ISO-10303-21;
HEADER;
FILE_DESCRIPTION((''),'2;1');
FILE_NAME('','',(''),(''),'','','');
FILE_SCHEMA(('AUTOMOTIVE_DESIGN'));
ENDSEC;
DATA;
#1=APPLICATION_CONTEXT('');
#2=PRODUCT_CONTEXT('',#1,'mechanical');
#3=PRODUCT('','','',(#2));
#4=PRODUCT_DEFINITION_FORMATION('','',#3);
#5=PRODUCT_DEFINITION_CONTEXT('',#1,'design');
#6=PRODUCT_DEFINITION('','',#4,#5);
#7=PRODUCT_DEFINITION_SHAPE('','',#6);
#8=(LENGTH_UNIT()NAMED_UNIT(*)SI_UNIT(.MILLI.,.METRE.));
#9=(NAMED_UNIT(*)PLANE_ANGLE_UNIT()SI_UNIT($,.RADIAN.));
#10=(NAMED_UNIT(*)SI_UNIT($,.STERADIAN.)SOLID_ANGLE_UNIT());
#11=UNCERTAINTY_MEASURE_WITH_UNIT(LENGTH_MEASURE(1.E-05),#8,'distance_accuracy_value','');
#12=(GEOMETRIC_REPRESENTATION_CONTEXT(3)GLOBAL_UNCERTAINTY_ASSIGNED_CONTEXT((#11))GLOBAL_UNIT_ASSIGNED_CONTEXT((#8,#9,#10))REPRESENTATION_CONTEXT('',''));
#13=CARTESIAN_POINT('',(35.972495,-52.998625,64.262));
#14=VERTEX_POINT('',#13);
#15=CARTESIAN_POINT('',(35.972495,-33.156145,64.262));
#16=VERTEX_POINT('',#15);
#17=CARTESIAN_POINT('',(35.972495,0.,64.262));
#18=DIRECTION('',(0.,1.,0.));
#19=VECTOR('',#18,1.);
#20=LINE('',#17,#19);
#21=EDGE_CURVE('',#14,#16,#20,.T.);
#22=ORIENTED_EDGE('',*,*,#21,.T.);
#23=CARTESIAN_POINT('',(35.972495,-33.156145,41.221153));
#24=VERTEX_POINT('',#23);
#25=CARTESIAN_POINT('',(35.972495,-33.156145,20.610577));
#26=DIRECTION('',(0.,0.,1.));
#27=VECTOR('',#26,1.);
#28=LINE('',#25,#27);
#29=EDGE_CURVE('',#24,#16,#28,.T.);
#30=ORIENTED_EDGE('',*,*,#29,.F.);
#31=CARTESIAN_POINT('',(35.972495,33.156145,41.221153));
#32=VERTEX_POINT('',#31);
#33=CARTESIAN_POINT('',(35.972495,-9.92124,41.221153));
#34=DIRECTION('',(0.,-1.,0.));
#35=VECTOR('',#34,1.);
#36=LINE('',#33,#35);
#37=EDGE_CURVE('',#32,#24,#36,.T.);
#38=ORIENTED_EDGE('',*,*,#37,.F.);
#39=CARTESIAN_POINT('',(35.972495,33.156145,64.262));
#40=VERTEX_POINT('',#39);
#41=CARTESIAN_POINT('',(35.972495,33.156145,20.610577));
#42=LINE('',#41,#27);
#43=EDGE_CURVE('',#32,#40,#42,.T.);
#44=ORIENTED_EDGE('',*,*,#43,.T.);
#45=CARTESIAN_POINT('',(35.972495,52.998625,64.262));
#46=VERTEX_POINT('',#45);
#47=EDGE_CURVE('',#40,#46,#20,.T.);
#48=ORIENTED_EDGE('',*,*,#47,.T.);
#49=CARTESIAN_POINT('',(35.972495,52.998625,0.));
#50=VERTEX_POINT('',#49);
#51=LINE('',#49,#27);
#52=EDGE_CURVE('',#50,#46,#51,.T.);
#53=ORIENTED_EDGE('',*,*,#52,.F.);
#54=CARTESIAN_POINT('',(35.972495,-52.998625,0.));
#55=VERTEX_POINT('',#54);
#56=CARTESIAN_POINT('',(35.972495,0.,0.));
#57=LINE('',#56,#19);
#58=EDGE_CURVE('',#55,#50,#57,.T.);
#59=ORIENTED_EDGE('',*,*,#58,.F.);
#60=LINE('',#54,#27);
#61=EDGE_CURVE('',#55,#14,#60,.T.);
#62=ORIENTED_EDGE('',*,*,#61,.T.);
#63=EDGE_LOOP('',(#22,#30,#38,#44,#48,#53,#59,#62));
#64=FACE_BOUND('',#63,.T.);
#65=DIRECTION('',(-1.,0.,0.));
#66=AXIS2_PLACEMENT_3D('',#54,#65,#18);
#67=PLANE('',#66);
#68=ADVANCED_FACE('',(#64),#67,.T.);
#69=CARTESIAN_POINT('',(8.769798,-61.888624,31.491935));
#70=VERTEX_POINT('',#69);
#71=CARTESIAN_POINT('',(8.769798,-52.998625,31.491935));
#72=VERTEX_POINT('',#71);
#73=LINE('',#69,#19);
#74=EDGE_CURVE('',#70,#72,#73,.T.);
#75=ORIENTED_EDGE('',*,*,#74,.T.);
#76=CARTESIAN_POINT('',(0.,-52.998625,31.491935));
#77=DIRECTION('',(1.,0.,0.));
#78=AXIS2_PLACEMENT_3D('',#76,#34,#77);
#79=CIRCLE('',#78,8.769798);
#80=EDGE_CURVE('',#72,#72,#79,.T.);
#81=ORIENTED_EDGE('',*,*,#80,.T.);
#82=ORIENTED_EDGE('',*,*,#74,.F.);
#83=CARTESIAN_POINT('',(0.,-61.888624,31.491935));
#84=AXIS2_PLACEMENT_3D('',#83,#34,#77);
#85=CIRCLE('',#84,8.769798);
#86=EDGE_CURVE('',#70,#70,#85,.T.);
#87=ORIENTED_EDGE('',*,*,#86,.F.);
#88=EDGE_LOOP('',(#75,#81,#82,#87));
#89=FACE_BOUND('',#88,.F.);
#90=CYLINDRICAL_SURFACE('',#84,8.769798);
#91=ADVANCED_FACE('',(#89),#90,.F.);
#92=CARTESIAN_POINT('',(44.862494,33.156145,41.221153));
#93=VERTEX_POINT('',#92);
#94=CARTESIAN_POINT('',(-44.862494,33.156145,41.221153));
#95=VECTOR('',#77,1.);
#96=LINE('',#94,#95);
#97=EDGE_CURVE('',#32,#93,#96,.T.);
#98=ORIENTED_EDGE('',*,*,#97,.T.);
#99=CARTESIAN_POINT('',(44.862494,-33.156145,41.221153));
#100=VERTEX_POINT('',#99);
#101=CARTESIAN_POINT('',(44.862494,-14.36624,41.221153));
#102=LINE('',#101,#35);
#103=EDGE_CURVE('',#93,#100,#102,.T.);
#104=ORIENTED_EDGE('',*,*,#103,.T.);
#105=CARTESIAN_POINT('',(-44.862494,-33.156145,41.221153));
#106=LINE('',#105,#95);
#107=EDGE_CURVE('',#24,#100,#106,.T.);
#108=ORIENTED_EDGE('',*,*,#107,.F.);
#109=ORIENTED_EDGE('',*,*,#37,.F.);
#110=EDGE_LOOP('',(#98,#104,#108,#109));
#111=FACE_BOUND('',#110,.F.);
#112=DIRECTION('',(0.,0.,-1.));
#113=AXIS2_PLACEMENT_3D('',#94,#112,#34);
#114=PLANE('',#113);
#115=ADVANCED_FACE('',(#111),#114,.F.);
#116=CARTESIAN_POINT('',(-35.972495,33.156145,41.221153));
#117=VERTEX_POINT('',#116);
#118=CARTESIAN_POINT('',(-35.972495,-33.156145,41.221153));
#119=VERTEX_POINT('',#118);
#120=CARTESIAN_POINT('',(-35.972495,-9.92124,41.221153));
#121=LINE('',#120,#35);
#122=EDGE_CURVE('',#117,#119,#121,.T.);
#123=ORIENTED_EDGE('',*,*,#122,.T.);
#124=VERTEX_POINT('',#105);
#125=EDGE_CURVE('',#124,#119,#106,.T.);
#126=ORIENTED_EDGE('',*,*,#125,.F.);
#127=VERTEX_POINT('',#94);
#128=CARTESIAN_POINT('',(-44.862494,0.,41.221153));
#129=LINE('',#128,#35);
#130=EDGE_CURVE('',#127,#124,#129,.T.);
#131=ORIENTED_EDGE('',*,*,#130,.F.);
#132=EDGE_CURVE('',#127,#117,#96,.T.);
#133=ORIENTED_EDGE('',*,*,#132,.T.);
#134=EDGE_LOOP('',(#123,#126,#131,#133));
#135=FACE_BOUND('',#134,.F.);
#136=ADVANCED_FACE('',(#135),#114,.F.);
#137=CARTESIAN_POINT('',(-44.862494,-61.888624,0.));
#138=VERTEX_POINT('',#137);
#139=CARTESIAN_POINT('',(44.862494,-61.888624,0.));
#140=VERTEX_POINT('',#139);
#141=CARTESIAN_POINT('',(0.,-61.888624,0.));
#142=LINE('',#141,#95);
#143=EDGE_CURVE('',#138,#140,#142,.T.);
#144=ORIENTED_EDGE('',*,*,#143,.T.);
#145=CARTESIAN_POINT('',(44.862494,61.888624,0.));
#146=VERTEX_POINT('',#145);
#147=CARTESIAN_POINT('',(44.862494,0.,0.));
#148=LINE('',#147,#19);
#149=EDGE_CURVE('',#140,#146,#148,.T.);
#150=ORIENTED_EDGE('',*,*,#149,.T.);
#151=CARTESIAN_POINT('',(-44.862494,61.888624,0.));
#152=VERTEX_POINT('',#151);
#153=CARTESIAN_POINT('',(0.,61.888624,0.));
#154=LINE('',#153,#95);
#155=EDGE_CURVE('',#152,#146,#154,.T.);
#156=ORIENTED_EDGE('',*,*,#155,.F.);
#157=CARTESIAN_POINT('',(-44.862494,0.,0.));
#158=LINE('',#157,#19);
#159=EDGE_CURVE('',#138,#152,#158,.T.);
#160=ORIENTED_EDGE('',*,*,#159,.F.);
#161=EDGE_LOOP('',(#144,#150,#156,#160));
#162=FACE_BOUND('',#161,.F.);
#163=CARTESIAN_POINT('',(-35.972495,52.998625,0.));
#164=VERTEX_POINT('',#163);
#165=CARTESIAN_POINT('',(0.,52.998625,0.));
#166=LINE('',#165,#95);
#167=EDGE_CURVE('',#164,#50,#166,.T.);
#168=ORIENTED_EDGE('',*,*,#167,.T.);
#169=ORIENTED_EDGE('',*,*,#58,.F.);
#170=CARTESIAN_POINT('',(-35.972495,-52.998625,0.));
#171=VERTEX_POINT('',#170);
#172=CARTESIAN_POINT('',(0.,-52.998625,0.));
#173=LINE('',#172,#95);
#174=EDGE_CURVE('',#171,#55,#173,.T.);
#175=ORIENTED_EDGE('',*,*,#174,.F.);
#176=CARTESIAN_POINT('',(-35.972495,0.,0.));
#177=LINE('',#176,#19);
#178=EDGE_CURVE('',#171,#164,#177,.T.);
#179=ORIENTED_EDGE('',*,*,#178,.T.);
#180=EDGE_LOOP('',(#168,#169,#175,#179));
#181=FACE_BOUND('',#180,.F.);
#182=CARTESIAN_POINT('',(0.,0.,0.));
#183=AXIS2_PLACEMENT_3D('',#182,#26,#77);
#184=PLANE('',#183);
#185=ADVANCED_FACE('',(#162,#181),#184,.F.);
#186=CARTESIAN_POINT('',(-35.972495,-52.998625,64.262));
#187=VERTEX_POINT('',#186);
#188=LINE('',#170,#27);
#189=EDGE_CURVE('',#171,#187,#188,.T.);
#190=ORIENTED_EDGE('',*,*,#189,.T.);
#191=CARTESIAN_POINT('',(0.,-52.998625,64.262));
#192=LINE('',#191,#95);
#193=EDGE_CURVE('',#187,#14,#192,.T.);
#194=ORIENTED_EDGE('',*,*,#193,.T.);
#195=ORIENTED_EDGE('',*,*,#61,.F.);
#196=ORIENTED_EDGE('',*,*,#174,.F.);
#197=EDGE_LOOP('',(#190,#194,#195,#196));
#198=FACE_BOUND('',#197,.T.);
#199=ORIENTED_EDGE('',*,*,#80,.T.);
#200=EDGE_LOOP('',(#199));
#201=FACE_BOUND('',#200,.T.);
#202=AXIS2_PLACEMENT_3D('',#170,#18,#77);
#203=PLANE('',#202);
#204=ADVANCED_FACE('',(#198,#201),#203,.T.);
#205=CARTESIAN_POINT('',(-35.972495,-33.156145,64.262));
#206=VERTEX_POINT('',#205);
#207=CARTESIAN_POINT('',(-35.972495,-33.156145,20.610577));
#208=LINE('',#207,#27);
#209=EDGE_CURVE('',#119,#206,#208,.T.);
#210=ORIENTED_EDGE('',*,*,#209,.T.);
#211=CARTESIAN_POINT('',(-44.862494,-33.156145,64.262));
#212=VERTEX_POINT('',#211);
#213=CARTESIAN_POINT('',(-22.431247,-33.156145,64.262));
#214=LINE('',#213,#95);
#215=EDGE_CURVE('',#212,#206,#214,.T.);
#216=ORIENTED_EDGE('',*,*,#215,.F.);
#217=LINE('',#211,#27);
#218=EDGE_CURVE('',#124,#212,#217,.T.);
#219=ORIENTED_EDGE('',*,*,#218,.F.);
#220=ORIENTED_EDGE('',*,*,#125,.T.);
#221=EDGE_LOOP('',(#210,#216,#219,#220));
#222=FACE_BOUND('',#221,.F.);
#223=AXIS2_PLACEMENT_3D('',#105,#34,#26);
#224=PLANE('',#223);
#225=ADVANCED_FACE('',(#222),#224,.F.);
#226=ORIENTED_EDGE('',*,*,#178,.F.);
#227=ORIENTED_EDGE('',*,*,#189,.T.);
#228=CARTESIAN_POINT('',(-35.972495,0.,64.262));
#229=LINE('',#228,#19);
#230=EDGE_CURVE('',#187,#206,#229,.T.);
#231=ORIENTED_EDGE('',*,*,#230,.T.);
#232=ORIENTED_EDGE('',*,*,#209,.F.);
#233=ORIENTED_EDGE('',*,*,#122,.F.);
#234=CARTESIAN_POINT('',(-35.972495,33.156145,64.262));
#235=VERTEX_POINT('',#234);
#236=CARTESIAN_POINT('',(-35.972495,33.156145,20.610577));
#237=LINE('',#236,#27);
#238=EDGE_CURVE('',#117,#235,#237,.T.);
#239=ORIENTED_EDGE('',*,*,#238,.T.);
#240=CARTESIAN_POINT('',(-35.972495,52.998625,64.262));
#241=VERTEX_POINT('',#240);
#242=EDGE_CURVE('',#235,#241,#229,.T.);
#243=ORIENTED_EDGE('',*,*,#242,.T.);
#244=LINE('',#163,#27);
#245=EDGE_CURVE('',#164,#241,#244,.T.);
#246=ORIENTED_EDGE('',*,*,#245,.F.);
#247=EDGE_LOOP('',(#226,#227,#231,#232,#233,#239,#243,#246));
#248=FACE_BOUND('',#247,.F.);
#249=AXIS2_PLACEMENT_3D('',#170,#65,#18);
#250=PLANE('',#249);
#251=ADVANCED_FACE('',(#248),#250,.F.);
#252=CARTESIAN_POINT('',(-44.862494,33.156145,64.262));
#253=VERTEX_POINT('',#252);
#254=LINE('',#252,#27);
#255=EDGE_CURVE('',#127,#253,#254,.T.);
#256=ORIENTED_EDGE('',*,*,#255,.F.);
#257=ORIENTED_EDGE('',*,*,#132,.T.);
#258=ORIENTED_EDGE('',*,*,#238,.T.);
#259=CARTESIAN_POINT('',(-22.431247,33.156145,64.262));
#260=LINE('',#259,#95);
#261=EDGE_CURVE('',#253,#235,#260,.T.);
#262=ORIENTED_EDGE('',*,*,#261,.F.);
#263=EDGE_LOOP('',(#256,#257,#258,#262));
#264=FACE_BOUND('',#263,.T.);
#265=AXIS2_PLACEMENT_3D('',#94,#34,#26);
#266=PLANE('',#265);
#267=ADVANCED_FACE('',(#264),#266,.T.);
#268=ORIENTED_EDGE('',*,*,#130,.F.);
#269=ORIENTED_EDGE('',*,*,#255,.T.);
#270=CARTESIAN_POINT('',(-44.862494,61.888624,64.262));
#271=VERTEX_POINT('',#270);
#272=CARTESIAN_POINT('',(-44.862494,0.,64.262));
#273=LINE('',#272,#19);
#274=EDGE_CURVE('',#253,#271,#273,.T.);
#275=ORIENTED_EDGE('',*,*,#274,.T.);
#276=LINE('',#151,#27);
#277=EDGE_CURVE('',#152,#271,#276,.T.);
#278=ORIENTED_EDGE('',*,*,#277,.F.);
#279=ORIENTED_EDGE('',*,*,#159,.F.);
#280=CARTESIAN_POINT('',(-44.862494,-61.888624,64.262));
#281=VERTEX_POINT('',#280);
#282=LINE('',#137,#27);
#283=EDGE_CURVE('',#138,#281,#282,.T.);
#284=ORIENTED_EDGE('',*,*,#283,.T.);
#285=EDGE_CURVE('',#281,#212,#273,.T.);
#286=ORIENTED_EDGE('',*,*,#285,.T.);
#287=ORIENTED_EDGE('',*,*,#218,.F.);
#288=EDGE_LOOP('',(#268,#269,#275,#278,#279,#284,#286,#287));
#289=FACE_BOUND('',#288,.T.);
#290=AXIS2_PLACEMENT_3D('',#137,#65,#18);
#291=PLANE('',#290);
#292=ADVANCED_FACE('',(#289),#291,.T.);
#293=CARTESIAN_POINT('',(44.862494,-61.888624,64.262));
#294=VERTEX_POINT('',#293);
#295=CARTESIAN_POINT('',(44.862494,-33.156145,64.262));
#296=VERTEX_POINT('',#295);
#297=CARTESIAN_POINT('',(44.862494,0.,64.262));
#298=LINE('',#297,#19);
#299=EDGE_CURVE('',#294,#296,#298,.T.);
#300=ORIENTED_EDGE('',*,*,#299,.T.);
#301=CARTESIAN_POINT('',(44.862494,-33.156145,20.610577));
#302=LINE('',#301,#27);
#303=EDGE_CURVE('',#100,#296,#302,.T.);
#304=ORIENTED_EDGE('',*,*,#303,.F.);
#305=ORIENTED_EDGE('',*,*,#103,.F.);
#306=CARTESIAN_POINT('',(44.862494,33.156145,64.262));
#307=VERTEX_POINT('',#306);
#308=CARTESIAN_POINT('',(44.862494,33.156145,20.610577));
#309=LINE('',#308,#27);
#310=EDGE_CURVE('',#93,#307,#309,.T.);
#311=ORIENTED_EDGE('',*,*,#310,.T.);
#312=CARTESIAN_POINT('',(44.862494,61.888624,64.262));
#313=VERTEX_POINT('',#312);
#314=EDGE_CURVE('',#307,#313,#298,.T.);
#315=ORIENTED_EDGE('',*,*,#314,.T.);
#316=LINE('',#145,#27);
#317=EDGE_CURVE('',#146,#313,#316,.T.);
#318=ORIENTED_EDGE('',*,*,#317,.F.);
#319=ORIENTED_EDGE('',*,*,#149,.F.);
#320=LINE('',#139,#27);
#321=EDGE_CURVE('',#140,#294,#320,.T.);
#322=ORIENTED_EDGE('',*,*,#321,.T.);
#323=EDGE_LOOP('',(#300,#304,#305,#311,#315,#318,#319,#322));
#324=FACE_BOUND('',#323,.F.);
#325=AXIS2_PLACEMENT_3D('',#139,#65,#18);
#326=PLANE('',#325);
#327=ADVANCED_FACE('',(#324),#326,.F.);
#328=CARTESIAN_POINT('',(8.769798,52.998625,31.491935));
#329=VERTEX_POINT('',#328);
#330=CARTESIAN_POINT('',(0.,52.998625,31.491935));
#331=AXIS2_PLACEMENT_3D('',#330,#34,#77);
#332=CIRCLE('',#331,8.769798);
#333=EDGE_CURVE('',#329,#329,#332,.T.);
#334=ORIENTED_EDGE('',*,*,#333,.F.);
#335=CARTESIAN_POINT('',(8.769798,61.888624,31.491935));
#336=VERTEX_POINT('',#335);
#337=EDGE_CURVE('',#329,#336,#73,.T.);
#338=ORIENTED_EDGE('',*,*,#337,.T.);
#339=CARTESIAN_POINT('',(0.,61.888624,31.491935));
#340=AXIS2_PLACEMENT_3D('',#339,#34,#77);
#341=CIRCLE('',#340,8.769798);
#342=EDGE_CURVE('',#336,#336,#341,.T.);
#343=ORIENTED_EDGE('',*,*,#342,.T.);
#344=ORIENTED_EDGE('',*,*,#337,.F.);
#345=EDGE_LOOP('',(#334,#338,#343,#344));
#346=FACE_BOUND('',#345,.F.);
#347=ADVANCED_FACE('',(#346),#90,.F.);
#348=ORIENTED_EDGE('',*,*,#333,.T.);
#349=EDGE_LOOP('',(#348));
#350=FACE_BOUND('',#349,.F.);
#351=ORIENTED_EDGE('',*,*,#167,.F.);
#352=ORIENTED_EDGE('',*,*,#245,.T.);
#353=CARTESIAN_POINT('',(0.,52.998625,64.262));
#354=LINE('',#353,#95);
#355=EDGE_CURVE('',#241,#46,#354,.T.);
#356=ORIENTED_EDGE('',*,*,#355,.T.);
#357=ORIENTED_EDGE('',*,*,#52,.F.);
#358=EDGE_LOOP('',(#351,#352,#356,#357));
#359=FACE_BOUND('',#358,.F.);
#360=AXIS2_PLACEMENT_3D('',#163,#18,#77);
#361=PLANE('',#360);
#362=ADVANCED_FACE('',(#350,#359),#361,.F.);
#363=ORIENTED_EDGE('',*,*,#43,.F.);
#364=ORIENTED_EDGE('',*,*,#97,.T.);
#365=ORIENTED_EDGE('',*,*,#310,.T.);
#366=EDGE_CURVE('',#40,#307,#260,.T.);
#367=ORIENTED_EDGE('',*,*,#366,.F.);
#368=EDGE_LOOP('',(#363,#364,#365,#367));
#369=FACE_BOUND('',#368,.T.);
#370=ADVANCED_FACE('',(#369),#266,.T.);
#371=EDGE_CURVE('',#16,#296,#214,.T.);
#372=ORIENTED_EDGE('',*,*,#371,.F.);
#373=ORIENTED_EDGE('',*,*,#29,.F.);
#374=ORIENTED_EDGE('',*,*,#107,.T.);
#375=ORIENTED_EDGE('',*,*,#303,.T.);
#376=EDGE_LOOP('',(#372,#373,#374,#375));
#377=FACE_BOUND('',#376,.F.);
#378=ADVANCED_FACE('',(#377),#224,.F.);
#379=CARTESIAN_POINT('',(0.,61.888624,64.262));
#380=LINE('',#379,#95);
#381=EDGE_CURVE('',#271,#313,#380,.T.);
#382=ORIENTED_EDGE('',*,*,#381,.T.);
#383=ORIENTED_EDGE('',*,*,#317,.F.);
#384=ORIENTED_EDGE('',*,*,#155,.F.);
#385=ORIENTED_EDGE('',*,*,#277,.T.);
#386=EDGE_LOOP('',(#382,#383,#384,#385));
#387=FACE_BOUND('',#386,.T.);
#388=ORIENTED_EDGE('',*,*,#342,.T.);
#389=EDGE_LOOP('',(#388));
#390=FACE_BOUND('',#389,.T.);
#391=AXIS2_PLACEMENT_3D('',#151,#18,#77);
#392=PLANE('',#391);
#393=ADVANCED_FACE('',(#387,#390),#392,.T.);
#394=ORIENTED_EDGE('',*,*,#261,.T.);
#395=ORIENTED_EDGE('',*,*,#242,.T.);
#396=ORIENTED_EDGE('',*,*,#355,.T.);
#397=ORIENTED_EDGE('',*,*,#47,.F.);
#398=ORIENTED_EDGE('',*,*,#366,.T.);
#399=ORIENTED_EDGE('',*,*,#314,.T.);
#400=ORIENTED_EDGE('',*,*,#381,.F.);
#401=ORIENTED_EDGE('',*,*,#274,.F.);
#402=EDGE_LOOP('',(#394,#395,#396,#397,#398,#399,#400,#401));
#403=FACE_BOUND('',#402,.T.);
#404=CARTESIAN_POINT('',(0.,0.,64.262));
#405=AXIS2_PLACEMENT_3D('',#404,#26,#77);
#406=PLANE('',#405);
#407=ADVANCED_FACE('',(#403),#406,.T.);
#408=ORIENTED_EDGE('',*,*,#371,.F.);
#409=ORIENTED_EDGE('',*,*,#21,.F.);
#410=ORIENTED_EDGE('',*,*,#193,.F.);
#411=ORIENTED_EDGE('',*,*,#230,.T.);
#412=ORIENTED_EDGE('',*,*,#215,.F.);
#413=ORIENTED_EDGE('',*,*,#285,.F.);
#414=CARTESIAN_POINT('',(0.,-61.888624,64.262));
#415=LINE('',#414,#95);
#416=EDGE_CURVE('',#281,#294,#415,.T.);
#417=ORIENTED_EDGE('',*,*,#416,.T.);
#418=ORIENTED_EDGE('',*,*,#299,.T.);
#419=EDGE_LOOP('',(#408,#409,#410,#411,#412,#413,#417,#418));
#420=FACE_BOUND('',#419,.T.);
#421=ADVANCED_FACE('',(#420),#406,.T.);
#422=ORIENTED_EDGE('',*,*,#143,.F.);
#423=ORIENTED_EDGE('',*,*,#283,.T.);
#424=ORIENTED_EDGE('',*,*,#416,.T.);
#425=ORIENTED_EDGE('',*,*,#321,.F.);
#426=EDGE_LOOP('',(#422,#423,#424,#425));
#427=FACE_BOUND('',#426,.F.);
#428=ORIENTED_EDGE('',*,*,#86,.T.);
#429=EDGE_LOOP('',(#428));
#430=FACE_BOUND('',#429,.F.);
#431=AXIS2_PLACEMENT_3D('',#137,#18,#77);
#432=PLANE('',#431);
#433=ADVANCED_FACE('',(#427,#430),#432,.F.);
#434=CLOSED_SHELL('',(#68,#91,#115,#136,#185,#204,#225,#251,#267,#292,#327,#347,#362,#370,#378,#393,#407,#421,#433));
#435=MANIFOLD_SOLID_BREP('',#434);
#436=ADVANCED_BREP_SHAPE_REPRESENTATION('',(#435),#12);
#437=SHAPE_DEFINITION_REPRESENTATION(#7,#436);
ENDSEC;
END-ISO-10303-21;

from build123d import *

# Parameters (mm, degrees)
F0_W     = 89.724988
F0_H     = 123.777248
F0_W_2   = 71.94499
F0_H_2   = 105.99725
F1_DEPTH = 64.262
F2_R     = 8.769798
F3_DEPTH = 149.86
F4_W     = 66.31229
F4_H     = 46.081694
F5_DEPTH = 136.906


with BuildPart() as f1:
    # F0 (on Top) → F1 (new body)
    with BuildSketch(Plane.XY):
        Rectangle(F0_W, F0_H)
        Rectangle(F0_W_2, F0_H_2, mode=Mode.SUBTRACT)
    extrude(amount=F1_DEPTH)

    # F2 (on face) → F3 (cut)
    with BuildSketch(Plane.XZ.offset(61.888624)):
        with Locations((0, 31.491935)):
            Circle(F2_R)
    extrude(amount=-F3_DEPTH, mode=Mode.SUBTRACT)

    # F4 (on face) → F5 (cut)
    with BuildSketch(Plane(origin=(-44.862494, 0, 0), x_dir=(0, -1, 0), z_dir=(-1, 0, 0))):
        with Locations((0, 64.262)):
            Rectangle(F4_W, F4_H)
    extrude(amount=-F5_DEPTH, mode=Mode.SUBTRACT)


solid = f1.part
